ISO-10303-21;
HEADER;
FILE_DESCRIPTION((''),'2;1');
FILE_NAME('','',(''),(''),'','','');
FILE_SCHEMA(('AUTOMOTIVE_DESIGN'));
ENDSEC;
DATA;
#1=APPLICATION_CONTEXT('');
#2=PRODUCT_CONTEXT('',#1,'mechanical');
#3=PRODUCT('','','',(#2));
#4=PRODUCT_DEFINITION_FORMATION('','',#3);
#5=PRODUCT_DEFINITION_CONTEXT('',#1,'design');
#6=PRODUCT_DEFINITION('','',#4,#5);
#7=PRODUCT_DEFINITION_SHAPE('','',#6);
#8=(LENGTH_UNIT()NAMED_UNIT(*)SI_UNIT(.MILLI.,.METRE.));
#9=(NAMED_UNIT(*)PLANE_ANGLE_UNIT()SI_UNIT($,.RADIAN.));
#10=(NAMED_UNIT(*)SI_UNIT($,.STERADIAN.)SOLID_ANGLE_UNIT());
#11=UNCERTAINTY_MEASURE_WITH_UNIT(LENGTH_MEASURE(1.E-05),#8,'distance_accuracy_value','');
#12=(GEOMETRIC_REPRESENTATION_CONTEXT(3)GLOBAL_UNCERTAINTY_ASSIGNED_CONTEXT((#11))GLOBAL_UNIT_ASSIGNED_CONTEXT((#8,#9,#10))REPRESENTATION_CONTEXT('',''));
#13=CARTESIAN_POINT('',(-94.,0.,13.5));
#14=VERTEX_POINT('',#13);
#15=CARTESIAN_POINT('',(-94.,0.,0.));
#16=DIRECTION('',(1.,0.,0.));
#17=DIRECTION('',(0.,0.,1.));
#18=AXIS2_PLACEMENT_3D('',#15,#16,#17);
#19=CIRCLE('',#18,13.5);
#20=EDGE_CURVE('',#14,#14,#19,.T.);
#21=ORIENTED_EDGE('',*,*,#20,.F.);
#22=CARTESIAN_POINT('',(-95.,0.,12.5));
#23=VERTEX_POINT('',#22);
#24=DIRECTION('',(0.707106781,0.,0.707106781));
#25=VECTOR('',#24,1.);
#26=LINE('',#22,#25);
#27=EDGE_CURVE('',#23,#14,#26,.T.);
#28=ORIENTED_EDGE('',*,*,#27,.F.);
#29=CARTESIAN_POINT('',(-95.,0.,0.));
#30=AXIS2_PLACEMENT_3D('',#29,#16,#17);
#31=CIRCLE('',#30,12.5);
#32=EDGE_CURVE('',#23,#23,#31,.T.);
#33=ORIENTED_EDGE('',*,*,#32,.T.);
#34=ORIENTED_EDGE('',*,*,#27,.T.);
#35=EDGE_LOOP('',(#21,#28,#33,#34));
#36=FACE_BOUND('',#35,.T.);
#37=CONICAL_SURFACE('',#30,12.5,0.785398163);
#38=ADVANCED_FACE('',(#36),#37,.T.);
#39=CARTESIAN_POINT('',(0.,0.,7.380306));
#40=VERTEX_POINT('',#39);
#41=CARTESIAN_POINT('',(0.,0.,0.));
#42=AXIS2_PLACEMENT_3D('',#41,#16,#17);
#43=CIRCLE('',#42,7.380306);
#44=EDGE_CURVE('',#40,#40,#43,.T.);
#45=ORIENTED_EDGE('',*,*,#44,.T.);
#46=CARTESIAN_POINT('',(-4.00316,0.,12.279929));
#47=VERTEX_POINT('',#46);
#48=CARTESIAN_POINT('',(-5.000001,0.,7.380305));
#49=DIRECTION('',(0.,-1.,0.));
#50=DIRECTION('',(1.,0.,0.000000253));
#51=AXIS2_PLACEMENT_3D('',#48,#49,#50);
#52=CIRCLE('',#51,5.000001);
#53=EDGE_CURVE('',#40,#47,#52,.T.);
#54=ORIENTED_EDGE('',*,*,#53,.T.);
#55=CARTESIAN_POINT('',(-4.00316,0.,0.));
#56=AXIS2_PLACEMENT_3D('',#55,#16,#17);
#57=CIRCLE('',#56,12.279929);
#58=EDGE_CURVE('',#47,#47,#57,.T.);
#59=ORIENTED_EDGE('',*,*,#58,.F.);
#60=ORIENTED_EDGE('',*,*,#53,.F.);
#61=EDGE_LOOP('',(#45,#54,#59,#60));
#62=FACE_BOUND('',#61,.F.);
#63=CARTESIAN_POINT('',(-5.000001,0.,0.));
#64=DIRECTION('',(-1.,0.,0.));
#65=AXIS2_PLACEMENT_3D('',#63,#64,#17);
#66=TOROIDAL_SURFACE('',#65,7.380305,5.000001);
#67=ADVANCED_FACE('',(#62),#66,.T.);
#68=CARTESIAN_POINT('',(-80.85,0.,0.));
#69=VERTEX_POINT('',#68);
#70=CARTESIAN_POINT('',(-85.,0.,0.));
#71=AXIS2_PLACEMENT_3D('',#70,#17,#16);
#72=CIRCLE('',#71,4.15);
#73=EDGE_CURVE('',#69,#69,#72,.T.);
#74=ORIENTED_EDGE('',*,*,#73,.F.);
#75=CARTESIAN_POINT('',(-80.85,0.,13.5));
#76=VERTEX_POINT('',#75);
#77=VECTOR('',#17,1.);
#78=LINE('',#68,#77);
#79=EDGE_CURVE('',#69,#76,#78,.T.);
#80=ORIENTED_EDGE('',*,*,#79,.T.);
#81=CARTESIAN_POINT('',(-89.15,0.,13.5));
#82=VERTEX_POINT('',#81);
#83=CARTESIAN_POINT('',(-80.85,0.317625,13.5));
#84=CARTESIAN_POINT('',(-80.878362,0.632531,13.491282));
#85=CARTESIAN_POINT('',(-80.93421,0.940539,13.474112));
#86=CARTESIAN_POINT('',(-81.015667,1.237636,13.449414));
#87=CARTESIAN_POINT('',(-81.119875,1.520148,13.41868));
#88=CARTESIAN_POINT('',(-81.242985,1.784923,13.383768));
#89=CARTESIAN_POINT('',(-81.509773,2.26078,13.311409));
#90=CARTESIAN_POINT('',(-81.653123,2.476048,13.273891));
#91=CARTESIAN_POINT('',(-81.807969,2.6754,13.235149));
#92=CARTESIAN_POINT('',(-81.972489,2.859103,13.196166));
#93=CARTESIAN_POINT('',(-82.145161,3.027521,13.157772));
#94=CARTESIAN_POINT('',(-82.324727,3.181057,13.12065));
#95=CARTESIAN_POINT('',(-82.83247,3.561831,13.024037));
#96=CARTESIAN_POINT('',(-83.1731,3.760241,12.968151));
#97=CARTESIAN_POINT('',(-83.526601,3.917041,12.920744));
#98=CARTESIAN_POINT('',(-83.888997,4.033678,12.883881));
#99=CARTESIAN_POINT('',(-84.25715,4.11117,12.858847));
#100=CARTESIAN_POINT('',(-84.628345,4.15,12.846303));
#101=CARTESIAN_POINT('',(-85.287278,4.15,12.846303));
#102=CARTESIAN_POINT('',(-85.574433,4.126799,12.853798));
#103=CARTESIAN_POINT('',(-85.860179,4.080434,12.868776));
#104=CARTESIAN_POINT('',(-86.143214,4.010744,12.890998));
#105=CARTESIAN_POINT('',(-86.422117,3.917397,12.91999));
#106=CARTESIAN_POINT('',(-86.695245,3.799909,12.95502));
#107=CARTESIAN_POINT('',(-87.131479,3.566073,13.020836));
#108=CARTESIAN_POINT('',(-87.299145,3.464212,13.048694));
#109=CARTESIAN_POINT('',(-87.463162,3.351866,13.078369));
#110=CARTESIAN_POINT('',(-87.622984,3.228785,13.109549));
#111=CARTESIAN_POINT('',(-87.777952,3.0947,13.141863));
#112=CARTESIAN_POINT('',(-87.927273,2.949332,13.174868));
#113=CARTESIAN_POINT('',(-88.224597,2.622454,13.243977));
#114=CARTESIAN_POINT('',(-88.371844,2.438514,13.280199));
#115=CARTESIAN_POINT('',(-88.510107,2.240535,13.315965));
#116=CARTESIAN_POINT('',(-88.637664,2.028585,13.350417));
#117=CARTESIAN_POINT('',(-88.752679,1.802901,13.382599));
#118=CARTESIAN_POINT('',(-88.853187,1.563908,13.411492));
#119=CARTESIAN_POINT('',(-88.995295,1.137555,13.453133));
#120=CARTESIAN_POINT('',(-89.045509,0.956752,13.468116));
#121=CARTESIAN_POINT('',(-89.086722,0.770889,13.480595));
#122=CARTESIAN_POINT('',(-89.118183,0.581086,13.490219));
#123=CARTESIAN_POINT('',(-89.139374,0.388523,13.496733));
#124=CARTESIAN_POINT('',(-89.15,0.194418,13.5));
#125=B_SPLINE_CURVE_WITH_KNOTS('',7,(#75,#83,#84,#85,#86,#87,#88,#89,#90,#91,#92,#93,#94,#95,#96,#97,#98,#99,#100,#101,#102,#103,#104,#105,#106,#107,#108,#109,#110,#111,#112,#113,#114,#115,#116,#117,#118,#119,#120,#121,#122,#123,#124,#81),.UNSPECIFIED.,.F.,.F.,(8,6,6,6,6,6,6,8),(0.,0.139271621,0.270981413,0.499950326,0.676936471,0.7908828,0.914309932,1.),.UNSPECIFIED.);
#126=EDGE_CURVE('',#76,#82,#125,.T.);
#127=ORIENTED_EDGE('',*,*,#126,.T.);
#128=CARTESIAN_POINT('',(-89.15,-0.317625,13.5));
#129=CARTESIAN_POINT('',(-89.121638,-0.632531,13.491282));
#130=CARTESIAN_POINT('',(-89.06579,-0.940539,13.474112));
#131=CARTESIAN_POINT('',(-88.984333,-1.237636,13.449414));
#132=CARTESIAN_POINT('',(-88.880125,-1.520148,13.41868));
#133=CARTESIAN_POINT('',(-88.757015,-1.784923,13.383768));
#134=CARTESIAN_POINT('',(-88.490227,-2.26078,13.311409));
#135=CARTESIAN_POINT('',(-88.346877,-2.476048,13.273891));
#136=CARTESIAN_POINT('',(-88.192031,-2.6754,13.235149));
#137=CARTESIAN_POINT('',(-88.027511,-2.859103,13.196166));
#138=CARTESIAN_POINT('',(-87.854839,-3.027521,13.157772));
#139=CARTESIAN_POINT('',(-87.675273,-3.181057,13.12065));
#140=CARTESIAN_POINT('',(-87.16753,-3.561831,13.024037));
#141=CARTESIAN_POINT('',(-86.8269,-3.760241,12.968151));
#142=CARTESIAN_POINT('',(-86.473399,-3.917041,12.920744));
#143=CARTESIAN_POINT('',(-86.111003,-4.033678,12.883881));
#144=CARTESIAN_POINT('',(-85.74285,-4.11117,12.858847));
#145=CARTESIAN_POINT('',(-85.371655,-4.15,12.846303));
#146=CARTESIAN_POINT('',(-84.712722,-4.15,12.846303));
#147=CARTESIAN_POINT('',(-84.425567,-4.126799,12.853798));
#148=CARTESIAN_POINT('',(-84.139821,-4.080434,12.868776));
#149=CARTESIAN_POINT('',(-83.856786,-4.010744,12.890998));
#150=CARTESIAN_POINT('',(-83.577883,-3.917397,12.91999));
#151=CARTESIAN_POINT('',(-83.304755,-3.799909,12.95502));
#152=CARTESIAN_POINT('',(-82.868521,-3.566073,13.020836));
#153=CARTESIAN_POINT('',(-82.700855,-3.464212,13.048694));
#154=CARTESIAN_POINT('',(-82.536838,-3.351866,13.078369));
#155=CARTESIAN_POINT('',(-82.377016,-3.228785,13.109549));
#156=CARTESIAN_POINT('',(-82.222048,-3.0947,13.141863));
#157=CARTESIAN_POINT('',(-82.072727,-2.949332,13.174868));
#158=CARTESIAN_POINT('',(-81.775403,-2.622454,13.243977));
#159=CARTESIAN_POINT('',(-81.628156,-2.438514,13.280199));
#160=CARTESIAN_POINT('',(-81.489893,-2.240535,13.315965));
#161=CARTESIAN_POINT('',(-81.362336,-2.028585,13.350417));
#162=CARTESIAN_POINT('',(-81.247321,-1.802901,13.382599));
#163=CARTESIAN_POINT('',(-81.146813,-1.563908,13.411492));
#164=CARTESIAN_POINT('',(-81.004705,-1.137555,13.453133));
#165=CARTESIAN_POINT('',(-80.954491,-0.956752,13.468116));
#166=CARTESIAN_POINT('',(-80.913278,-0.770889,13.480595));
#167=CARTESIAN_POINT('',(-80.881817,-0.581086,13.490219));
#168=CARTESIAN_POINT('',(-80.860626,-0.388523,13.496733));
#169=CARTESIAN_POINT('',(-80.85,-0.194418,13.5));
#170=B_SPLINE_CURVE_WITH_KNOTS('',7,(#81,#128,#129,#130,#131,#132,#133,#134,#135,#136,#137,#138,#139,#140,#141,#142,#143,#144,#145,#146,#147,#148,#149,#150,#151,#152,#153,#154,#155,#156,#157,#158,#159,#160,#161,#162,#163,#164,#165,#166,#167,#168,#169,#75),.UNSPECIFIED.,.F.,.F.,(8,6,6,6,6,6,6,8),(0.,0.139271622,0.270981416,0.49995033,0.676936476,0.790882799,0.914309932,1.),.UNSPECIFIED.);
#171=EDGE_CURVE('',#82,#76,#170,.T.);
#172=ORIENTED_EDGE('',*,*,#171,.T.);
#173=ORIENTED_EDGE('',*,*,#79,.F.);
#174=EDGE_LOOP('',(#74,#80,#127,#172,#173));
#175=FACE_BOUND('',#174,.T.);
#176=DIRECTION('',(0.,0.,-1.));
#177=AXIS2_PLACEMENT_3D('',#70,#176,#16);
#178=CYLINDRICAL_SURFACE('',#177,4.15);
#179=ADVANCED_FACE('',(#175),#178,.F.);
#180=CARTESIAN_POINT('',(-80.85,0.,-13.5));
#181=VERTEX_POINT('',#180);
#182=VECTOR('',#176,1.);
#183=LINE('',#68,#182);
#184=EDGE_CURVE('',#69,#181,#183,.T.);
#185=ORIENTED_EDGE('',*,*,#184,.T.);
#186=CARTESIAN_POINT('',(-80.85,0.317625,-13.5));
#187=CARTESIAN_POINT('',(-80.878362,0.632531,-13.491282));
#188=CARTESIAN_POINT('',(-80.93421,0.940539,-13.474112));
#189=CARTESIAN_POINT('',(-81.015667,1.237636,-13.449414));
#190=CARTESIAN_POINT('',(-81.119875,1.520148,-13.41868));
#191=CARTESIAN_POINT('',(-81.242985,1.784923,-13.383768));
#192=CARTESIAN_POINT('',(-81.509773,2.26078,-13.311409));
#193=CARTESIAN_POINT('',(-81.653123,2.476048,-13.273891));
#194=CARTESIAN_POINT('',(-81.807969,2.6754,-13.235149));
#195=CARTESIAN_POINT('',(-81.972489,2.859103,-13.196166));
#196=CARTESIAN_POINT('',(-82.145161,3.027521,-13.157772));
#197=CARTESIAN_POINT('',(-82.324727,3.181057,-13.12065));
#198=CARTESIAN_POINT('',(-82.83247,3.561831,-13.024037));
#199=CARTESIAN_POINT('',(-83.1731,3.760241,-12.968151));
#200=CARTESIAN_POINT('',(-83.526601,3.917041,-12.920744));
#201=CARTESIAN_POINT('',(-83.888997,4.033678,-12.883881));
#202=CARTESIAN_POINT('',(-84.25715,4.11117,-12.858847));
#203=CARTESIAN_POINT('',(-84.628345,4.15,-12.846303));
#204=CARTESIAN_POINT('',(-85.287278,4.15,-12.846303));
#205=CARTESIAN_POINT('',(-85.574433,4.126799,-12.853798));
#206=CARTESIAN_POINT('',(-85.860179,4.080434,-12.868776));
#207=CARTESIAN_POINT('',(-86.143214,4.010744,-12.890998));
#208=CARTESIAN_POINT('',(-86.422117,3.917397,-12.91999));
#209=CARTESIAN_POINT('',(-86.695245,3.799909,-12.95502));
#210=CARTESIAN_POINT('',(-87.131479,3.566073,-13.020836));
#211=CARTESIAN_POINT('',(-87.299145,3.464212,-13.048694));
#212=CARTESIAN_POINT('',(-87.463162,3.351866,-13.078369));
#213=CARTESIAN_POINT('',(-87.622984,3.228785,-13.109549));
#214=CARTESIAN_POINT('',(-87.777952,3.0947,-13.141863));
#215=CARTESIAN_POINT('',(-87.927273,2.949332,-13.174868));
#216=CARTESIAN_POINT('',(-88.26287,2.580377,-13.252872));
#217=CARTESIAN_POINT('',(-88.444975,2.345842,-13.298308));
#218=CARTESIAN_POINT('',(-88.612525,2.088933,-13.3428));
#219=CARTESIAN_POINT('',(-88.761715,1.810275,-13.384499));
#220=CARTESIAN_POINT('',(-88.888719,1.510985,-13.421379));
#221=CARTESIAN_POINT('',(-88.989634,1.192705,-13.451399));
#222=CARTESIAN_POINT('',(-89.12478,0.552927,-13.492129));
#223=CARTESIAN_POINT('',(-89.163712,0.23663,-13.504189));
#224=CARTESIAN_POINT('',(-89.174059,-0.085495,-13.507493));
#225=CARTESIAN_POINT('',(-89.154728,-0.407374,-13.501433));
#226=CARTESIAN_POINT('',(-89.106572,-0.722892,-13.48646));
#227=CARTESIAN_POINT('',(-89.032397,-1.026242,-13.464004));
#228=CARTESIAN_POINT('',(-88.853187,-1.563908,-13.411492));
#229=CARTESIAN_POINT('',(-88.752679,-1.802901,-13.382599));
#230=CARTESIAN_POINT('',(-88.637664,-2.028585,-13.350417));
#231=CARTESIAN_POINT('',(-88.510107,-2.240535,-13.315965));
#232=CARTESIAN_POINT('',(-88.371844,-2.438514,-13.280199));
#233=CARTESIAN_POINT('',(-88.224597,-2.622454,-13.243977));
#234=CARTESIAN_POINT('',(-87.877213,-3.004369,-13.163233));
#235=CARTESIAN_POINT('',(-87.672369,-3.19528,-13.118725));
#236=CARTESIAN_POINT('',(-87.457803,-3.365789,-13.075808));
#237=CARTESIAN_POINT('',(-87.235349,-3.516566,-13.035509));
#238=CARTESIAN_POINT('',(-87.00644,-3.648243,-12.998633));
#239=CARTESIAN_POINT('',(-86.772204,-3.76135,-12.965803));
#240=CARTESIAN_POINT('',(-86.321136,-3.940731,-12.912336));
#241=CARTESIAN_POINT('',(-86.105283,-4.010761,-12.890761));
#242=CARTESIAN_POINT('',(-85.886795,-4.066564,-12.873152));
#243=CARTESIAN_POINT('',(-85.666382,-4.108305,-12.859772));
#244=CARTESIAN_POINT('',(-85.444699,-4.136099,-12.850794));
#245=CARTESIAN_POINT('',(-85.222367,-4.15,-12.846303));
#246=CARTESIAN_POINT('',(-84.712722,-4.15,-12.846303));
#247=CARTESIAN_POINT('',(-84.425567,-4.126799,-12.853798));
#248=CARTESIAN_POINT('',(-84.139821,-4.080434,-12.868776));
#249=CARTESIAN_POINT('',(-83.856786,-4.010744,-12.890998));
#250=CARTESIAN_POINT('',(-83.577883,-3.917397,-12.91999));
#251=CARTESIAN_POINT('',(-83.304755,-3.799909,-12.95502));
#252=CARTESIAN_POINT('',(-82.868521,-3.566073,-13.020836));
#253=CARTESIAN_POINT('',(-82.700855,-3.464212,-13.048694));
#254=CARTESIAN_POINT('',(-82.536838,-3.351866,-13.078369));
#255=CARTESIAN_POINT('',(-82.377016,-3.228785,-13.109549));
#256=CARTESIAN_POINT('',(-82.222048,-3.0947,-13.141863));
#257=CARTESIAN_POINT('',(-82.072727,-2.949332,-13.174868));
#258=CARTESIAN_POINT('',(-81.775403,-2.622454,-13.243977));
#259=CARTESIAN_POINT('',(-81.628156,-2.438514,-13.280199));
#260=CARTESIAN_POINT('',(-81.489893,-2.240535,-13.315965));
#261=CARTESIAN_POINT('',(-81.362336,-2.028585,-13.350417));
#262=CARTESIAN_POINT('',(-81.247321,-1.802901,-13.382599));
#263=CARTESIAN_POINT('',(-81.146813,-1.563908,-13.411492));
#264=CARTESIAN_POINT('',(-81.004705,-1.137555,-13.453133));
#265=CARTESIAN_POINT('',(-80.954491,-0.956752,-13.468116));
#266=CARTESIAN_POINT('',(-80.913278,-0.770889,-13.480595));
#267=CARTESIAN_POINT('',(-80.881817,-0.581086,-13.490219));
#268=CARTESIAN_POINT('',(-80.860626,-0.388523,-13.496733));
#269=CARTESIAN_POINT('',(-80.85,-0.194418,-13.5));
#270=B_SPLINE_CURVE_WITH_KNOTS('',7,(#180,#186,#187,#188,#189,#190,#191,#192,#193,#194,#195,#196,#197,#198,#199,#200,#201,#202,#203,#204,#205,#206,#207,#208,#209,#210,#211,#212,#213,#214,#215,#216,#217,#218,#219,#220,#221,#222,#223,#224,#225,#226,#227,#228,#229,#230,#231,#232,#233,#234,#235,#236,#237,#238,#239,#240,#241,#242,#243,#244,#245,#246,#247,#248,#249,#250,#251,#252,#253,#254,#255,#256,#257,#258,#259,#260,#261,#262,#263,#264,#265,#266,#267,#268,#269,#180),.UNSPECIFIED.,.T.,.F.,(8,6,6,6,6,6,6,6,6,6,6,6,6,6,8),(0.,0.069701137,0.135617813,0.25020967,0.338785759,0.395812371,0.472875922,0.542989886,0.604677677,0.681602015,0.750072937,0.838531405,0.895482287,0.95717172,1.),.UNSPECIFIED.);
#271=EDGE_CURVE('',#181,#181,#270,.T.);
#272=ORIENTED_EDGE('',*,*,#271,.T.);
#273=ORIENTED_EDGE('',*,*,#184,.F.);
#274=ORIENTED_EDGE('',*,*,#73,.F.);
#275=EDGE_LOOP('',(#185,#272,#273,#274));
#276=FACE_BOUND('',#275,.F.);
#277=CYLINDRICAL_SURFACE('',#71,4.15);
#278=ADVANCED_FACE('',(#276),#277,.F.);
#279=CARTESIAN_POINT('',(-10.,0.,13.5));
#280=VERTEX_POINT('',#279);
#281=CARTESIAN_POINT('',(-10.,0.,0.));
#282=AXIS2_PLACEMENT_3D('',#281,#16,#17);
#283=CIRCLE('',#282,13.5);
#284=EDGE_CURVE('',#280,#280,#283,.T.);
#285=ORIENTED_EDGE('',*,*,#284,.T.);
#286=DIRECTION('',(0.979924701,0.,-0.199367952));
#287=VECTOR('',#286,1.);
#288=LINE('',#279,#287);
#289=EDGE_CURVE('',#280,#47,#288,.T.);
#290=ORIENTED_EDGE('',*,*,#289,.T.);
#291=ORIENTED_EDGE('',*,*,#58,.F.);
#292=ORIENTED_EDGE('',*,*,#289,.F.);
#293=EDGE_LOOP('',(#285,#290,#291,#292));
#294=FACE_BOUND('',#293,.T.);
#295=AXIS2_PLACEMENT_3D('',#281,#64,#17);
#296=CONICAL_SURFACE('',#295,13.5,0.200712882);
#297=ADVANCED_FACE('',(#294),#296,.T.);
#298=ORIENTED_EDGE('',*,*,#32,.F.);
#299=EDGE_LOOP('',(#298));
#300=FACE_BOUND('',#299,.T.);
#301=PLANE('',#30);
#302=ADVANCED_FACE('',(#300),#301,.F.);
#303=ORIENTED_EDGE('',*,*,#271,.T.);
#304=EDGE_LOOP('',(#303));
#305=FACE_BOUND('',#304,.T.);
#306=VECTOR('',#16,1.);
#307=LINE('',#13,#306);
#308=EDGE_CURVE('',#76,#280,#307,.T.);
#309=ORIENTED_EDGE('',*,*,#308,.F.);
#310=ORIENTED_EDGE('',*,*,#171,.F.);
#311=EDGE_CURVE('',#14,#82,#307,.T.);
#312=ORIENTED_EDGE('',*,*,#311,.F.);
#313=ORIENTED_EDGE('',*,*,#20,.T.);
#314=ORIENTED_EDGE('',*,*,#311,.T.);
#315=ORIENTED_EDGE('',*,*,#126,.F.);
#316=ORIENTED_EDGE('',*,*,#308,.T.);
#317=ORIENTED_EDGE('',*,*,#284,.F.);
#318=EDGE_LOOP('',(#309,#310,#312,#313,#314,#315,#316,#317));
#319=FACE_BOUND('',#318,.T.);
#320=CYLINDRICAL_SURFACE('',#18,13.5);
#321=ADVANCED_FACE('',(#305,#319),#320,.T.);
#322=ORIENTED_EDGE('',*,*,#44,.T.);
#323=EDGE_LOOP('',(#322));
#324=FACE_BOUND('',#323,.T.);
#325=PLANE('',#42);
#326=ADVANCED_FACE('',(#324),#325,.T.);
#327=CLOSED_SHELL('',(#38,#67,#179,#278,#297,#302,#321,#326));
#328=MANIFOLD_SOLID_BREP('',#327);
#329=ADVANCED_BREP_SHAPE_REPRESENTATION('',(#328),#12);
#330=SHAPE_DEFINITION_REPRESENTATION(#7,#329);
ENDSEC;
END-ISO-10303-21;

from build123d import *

# Parameters (mm, degrees)
SKETCH001_R       = 4.15
POCKET_DEPTH      = 13.501
POCKET_DEPTH_BACK = -13.501


with BuildPart() as part:
    # Sketch → Revolution (revolve)
    with BuildSketch(Plane.XZ):
        with BuildLine():
            Line((-95, 0), (-95, 12.5))
            Line((-95, 12.5), (-94, 13.5))
            Line((-94, 13.5), (-10, 13.5))
            Line((-10, 13.5), (-4.00316, 12.279929))
            ThreePointArc((0, 7.380306), (-1.128037, 10.543832), (-4.00316, 12.279929))
            Line((0, 7.380306), (0, 0))
            Line((0, 0), (-95, 0))
        make_face()
    revolve(axis=Axis((0, 0, 0), (1, 0, 0)))

    # Sketch001 → Pocket (cut, two sides)
    with BuildSketch(Plane.XY) as pocket_sk:
        with Locations((-85, 0)):
            Circle(SKETCH001_R)
    extrude(amount=-POCKET_DEPTH, mode=Mode.SUBTRACT)
    extrude(pocket_sk.sketch, amount=-POCKET_DEPTH_BACK, mode=Mode.SUBTRACT)


solid = part.part
